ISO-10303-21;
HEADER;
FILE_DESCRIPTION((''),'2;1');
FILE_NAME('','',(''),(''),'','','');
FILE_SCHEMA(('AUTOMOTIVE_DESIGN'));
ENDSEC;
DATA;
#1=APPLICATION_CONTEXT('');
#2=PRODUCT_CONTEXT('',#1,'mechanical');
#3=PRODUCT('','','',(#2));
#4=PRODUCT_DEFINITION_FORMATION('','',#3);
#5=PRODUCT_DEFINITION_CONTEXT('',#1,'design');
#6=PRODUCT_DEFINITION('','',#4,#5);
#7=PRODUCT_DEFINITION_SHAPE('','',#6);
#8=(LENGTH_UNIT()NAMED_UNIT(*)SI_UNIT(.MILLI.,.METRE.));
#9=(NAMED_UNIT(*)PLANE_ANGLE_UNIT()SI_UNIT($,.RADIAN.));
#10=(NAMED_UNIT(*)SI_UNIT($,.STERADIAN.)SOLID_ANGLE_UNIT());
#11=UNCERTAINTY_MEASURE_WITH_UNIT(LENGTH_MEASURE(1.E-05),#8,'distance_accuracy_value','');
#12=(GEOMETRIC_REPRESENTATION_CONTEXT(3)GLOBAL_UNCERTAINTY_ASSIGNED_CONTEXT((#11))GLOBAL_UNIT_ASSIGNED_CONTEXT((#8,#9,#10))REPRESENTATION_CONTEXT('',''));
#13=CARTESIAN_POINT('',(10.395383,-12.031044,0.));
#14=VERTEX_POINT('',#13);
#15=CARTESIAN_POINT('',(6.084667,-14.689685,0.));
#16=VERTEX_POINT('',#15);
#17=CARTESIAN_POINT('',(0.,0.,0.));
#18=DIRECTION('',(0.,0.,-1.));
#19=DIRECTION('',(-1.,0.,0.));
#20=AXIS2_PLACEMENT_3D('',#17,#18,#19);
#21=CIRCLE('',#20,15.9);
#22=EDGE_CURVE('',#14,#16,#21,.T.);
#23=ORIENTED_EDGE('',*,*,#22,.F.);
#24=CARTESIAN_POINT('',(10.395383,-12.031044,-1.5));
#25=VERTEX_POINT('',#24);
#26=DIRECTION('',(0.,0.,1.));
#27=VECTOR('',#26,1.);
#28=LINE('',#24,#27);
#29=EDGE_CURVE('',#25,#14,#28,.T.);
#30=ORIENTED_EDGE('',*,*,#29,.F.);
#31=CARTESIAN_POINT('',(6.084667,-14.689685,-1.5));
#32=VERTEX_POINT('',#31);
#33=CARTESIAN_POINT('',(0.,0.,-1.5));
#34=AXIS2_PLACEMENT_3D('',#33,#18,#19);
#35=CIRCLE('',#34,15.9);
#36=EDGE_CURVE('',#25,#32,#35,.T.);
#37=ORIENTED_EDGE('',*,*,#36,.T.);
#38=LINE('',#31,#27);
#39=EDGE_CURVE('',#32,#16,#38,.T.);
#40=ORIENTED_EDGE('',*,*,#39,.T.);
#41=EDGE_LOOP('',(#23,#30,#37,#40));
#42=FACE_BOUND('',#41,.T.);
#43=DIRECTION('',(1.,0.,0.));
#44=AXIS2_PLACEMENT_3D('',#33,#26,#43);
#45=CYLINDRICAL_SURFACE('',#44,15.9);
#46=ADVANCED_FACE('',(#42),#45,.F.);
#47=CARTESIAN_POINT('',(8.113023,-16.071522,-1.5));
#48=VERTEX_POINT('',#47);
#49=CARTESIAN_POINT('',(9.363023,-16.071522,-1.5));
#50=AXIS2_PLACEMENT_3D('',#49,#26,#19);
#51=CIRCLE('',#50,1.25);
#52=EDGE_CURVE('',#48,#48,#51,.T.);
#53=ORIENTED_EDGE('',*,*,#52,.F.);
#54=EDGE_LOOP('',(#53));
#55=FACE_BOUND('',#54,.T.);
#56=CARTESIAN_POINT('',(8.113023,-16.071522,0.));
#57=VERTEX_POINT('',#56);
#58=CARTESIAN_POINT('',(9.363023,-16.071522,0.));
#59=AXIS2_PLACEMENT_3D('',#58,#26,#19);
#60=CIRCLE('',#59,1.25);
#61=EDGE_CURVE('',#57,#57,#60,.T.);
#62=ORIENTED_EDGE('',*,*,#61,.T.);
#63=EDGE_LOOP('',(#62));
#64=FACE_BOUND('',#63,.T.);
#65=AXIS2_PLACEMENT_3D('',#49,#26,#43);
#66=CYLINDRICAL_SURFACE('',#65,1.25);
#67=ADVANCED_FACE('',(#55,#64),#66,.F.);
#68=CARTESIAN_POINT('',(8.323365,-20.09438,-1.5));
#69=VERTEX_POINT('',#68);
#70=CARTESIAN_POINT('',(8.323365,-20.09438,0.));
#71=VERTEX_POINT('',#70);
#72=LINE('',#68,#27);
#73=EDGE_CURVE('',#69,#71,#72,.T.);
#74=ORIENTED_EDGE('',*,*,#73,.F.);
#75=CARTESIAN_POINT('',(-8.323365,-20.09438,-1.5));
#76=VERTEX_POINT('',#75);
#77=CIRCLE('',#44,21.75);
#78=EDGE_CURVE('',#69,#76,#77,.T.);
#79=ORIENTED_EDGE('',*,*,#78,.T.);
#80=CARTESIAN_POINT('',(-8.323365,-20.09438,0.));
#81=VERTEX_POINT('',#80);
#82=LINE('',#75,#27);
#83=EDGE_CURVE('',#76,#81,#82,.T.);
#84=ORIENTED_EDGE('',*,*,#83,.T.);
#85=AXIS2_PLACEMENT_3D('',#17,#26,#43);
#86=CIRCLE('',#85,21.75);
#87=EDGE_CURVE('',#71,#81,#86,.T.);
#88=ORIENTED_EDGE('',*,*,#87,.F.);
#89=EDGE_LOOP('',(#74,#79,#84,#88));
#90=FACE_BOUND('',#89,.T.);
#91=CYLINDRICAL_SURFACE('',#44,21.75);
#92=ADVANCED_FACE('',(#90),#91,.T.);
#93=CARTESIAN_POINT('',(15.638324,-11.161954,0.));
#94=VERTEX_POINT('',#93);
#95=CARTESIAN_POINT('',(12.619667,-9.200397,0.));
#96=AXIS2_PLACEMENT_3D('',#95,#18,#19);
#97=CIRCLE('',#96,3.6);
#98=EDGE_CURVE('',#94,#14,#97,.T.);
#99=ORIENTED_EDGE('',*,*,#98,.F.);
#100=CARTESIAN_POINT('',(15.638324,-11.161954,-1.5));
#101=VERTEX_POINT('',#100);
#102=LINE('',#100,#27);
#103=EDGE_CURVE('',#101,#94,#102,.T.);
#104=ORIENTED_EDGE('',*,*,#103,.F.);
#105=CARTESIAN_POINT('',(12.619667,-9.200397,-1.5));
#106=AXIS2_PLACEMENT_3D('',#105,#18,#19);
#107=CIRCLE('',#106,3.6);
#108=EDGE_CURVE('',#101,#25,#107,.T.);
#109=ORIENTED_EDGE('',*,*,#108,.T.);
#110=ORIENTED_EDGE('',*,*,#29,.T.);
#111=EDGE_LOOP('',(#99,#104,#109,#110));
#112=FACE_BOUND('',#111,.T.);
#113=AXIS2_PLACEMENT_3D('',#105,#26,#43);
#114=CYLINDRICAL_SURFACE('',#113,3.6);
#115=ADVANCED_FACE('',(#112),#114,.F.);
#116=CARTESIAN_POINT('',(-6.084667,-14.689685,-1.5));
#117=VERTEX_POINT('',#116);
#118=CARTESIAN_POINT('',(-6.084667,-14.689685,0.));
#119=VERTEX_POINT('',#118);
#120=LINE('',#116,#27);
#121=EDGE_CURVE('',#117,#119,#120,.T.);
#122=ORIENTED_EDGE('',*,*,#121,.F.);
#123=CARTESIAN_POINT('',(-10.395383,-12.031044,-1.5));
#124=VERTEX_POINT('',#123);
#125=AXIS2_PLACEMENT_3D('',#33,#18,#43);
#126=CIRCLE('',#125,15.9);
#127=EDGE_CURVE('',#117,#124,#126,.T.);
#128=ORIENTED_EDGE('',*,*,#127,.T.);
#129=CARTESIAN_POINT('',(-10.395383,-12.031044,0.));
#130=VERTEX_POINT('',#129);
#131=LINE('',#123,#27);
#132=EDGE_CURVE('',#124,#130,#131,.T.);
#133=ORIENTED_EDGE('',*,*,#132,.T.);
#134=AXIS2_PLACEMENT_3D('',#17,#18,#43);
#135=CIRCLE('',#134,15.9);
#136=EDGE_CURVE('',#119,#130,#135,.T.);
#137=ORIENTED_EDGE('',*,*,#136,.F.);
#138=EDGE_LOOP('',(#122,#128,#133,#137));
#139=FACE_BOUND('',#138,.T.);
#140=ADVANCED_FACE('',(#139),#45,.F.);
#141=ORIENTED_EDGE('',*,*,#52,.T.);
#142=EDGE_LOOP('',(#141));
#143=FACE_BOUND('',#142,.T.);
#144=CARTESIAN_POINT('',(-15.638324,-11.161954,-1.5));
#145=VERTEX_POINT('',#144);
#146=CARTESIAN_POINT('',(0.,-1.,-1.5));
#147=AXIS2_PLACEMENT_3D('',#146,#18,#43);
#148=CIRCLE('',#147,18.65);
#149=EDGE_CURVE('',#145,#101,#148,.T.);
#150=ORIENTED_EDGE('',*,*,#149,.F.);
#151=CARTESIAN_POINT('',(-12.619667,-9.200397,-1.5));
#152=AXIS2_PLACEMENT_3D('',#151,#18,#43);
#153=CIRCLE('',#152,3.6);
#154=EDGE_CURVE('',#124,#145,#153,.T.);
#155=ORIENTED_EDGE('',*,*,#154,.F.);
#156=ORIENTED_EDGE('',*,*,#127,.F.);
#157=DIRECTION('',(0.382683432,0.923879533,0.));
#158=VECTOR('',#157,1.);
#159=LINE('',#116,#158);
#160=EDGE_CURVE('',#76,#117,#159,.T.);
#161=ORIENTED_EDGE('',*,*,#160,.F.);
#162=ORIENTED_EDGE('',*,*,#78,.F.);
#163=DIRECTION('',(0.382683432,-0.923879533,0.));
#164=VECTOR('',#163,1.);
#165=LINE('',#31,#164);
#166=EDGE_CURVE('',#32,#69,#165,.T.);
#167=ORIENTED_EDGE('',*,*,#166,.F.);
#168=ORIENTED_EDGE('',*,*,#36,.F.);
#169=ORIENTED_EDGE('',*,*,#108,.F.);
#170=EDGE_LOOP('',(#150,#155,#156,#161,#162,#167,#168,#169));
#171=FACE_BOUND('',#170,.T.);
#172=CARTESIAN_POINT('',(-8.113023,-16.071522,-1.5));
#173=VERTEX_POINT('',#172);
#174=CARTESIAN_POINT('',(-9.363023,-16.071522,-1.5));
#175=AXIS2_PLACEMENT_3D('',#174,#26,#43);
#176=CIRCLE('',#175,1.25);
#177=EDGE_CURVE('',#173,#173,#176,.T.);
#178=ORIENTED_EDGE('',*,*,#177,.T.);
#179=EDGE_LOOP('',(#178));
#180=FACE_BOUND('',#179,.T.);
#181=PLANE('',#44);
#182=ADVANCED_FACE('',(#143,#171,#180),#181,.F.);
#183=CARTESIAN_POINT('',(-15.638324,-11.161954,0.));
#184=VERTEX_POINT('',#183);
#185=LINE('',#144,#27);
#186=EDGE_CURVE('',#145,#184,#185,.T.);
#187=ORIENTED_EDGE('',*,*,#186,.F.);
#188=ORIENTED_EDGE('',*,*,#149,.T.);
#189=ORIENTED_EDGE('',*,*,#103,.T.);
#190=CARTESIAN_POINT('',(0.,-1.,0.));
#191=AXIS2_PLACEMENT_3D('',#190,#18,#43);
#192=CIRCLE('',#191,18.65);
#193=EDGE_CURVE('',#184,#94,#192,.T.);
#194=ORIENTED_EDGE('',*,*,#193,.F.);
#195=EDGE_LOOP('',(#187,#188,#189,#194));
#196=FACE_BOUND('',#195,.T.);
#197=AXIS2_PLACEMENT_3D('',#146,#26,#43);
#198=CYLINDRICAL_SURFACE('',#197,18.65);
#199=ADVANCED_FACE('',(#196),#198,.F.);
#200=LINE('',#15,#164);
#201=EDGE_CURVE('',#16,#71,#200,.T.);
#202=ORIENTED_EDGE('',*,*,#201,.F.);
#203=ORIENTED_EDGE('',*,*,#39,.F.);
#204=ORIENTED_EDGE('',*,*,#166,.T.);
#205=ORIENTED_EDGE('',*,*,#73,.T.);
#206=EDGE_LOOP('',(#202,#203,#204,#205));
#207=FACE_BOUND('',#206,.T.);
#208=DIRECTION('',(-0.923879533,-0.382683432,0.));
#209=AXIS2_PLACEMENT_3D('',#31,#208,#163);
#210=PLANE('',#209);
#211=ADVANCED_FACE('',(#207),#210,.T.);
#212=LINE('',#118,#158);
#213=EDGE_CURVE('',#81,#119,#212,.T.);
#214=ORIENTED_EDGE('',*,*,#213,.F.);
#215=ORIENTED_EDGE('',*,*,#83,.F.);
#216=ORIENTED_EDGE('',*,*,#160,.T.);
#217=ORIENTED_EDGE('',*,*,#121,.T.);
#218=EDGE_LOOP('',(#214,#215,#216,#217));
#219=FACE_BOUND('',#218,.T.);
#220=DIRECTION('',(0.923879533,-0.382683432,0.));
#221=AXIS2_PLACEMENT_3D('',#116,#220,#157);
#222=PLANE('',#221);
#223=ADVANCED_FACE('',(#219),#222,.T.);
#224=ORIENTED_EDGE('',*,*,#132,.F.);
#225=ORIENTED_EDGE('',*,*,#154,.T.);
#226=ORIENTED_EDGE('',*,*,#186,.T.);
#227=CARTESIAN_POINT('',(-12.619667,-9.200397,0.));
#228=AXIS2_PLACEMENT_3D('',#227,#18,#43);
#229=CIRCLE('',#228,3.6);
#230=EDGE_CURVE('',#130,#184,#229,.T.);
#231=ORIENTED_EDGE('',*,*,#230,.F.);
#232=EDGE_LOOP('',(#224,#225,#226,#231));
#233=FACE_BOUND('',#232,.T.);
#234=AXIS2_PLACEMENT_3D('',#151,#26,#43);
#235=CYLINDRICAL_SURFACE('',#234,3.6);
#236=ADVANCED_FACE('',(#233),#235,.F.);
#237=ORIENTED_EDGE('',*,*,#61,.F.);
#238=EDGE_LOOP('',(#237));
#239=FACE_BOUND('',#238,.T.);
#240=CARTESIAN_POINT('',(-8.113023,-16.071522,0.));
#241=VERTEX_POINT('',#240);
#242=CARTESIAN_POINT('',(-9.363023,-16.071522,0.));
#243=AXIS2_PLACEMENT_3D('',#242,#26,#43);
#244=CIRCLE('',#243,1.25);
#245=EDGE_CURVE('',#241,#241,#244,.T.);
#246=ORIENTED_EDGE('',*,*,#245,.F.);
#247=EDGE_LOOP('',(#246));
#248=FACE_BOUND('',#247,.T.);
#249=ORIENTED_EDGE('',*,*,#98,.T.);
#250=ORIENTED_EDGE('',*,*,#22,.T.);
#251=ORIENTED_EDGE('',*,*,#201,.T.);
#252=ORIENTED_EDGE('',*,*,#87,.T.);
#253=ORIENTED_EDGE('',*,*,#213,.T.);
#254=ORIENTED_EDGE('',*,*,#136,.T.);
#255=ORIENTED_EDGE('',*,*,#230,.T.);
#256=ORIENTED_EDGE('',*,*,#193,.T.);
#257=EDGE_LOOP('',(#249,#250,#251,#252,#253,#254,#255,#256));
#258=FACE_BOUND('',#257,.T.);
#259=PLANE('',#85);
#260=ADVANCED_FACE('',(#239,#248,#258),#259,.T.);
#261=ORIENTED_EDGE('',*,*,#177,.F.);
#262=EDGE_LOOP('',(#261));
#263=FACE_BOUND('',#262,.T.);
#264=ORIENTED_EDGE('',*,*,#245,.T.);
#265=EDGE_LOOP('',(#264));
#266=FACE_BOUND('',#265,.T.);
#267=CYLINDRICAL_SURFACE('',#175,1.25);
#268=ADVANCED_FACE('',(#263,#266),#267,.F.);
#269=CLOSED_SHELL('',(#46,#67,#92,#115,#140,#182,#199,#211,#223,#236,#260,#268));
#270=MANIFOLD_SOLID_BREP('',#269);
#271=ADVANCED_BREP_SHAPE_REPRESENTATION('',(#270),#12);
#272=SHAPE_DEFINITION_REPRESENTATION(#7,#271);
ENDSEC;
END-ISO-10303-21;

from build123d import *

# Parameters (mm, degrees)
SKETCH1_R  = 1.25
BODY_DEPTH = 1.5


with BuildPart() as part:
    # Sketch1 → Body (new body)
    with BuildSketch(Plane.XY):
        with BuildLine():
            Line((-6.084666575, -14.689684567), (-8.323364654, -20.094379832))
            ThreePointArc((-8.323364654, -20.094379832), (0, 21.75), (8.323364654, -20.094379832))
            Line((8.323364654, -20.094379832), (6.084666575, -14.689684567))
            ThreePointArc((6.084666575, -14.689684567), (8.346562025, -13.533103944), (10.395382608, -12.031044029))
            ThreePointArc((10.395382608, -12.031044029), (13.208382755, -12.751934045), (15.638324342, -11.161954131))
            ThreePointArc((15.638324342, -11.161954131), (0, 17.65), (-15.638324342, -11.161954131))
            ThreePointArc((-15.638324342, -11.161954131), (-13.208382755, -12.751934045), (-10.395382608, -12.031044029))
            ThreePointArc((-10.395382608, -12.031044029), (-8.346562025, -13.533103944), (-6.084666575, -14.689684567))
        make_face()
        with Locations(Location((9.363022706, -16.071521577, 0), (0, 0, 180))):
            Circle(SKETCH1_R, mode=Mode.SUBTRACT)
        with Locations((-9.363022706, -16.071521577)):
            Circle(SKETCH1_R, mode=Mode.SUBTRACT)
    extrude(amount=-BODY_DEPTH)


solid = part.part
